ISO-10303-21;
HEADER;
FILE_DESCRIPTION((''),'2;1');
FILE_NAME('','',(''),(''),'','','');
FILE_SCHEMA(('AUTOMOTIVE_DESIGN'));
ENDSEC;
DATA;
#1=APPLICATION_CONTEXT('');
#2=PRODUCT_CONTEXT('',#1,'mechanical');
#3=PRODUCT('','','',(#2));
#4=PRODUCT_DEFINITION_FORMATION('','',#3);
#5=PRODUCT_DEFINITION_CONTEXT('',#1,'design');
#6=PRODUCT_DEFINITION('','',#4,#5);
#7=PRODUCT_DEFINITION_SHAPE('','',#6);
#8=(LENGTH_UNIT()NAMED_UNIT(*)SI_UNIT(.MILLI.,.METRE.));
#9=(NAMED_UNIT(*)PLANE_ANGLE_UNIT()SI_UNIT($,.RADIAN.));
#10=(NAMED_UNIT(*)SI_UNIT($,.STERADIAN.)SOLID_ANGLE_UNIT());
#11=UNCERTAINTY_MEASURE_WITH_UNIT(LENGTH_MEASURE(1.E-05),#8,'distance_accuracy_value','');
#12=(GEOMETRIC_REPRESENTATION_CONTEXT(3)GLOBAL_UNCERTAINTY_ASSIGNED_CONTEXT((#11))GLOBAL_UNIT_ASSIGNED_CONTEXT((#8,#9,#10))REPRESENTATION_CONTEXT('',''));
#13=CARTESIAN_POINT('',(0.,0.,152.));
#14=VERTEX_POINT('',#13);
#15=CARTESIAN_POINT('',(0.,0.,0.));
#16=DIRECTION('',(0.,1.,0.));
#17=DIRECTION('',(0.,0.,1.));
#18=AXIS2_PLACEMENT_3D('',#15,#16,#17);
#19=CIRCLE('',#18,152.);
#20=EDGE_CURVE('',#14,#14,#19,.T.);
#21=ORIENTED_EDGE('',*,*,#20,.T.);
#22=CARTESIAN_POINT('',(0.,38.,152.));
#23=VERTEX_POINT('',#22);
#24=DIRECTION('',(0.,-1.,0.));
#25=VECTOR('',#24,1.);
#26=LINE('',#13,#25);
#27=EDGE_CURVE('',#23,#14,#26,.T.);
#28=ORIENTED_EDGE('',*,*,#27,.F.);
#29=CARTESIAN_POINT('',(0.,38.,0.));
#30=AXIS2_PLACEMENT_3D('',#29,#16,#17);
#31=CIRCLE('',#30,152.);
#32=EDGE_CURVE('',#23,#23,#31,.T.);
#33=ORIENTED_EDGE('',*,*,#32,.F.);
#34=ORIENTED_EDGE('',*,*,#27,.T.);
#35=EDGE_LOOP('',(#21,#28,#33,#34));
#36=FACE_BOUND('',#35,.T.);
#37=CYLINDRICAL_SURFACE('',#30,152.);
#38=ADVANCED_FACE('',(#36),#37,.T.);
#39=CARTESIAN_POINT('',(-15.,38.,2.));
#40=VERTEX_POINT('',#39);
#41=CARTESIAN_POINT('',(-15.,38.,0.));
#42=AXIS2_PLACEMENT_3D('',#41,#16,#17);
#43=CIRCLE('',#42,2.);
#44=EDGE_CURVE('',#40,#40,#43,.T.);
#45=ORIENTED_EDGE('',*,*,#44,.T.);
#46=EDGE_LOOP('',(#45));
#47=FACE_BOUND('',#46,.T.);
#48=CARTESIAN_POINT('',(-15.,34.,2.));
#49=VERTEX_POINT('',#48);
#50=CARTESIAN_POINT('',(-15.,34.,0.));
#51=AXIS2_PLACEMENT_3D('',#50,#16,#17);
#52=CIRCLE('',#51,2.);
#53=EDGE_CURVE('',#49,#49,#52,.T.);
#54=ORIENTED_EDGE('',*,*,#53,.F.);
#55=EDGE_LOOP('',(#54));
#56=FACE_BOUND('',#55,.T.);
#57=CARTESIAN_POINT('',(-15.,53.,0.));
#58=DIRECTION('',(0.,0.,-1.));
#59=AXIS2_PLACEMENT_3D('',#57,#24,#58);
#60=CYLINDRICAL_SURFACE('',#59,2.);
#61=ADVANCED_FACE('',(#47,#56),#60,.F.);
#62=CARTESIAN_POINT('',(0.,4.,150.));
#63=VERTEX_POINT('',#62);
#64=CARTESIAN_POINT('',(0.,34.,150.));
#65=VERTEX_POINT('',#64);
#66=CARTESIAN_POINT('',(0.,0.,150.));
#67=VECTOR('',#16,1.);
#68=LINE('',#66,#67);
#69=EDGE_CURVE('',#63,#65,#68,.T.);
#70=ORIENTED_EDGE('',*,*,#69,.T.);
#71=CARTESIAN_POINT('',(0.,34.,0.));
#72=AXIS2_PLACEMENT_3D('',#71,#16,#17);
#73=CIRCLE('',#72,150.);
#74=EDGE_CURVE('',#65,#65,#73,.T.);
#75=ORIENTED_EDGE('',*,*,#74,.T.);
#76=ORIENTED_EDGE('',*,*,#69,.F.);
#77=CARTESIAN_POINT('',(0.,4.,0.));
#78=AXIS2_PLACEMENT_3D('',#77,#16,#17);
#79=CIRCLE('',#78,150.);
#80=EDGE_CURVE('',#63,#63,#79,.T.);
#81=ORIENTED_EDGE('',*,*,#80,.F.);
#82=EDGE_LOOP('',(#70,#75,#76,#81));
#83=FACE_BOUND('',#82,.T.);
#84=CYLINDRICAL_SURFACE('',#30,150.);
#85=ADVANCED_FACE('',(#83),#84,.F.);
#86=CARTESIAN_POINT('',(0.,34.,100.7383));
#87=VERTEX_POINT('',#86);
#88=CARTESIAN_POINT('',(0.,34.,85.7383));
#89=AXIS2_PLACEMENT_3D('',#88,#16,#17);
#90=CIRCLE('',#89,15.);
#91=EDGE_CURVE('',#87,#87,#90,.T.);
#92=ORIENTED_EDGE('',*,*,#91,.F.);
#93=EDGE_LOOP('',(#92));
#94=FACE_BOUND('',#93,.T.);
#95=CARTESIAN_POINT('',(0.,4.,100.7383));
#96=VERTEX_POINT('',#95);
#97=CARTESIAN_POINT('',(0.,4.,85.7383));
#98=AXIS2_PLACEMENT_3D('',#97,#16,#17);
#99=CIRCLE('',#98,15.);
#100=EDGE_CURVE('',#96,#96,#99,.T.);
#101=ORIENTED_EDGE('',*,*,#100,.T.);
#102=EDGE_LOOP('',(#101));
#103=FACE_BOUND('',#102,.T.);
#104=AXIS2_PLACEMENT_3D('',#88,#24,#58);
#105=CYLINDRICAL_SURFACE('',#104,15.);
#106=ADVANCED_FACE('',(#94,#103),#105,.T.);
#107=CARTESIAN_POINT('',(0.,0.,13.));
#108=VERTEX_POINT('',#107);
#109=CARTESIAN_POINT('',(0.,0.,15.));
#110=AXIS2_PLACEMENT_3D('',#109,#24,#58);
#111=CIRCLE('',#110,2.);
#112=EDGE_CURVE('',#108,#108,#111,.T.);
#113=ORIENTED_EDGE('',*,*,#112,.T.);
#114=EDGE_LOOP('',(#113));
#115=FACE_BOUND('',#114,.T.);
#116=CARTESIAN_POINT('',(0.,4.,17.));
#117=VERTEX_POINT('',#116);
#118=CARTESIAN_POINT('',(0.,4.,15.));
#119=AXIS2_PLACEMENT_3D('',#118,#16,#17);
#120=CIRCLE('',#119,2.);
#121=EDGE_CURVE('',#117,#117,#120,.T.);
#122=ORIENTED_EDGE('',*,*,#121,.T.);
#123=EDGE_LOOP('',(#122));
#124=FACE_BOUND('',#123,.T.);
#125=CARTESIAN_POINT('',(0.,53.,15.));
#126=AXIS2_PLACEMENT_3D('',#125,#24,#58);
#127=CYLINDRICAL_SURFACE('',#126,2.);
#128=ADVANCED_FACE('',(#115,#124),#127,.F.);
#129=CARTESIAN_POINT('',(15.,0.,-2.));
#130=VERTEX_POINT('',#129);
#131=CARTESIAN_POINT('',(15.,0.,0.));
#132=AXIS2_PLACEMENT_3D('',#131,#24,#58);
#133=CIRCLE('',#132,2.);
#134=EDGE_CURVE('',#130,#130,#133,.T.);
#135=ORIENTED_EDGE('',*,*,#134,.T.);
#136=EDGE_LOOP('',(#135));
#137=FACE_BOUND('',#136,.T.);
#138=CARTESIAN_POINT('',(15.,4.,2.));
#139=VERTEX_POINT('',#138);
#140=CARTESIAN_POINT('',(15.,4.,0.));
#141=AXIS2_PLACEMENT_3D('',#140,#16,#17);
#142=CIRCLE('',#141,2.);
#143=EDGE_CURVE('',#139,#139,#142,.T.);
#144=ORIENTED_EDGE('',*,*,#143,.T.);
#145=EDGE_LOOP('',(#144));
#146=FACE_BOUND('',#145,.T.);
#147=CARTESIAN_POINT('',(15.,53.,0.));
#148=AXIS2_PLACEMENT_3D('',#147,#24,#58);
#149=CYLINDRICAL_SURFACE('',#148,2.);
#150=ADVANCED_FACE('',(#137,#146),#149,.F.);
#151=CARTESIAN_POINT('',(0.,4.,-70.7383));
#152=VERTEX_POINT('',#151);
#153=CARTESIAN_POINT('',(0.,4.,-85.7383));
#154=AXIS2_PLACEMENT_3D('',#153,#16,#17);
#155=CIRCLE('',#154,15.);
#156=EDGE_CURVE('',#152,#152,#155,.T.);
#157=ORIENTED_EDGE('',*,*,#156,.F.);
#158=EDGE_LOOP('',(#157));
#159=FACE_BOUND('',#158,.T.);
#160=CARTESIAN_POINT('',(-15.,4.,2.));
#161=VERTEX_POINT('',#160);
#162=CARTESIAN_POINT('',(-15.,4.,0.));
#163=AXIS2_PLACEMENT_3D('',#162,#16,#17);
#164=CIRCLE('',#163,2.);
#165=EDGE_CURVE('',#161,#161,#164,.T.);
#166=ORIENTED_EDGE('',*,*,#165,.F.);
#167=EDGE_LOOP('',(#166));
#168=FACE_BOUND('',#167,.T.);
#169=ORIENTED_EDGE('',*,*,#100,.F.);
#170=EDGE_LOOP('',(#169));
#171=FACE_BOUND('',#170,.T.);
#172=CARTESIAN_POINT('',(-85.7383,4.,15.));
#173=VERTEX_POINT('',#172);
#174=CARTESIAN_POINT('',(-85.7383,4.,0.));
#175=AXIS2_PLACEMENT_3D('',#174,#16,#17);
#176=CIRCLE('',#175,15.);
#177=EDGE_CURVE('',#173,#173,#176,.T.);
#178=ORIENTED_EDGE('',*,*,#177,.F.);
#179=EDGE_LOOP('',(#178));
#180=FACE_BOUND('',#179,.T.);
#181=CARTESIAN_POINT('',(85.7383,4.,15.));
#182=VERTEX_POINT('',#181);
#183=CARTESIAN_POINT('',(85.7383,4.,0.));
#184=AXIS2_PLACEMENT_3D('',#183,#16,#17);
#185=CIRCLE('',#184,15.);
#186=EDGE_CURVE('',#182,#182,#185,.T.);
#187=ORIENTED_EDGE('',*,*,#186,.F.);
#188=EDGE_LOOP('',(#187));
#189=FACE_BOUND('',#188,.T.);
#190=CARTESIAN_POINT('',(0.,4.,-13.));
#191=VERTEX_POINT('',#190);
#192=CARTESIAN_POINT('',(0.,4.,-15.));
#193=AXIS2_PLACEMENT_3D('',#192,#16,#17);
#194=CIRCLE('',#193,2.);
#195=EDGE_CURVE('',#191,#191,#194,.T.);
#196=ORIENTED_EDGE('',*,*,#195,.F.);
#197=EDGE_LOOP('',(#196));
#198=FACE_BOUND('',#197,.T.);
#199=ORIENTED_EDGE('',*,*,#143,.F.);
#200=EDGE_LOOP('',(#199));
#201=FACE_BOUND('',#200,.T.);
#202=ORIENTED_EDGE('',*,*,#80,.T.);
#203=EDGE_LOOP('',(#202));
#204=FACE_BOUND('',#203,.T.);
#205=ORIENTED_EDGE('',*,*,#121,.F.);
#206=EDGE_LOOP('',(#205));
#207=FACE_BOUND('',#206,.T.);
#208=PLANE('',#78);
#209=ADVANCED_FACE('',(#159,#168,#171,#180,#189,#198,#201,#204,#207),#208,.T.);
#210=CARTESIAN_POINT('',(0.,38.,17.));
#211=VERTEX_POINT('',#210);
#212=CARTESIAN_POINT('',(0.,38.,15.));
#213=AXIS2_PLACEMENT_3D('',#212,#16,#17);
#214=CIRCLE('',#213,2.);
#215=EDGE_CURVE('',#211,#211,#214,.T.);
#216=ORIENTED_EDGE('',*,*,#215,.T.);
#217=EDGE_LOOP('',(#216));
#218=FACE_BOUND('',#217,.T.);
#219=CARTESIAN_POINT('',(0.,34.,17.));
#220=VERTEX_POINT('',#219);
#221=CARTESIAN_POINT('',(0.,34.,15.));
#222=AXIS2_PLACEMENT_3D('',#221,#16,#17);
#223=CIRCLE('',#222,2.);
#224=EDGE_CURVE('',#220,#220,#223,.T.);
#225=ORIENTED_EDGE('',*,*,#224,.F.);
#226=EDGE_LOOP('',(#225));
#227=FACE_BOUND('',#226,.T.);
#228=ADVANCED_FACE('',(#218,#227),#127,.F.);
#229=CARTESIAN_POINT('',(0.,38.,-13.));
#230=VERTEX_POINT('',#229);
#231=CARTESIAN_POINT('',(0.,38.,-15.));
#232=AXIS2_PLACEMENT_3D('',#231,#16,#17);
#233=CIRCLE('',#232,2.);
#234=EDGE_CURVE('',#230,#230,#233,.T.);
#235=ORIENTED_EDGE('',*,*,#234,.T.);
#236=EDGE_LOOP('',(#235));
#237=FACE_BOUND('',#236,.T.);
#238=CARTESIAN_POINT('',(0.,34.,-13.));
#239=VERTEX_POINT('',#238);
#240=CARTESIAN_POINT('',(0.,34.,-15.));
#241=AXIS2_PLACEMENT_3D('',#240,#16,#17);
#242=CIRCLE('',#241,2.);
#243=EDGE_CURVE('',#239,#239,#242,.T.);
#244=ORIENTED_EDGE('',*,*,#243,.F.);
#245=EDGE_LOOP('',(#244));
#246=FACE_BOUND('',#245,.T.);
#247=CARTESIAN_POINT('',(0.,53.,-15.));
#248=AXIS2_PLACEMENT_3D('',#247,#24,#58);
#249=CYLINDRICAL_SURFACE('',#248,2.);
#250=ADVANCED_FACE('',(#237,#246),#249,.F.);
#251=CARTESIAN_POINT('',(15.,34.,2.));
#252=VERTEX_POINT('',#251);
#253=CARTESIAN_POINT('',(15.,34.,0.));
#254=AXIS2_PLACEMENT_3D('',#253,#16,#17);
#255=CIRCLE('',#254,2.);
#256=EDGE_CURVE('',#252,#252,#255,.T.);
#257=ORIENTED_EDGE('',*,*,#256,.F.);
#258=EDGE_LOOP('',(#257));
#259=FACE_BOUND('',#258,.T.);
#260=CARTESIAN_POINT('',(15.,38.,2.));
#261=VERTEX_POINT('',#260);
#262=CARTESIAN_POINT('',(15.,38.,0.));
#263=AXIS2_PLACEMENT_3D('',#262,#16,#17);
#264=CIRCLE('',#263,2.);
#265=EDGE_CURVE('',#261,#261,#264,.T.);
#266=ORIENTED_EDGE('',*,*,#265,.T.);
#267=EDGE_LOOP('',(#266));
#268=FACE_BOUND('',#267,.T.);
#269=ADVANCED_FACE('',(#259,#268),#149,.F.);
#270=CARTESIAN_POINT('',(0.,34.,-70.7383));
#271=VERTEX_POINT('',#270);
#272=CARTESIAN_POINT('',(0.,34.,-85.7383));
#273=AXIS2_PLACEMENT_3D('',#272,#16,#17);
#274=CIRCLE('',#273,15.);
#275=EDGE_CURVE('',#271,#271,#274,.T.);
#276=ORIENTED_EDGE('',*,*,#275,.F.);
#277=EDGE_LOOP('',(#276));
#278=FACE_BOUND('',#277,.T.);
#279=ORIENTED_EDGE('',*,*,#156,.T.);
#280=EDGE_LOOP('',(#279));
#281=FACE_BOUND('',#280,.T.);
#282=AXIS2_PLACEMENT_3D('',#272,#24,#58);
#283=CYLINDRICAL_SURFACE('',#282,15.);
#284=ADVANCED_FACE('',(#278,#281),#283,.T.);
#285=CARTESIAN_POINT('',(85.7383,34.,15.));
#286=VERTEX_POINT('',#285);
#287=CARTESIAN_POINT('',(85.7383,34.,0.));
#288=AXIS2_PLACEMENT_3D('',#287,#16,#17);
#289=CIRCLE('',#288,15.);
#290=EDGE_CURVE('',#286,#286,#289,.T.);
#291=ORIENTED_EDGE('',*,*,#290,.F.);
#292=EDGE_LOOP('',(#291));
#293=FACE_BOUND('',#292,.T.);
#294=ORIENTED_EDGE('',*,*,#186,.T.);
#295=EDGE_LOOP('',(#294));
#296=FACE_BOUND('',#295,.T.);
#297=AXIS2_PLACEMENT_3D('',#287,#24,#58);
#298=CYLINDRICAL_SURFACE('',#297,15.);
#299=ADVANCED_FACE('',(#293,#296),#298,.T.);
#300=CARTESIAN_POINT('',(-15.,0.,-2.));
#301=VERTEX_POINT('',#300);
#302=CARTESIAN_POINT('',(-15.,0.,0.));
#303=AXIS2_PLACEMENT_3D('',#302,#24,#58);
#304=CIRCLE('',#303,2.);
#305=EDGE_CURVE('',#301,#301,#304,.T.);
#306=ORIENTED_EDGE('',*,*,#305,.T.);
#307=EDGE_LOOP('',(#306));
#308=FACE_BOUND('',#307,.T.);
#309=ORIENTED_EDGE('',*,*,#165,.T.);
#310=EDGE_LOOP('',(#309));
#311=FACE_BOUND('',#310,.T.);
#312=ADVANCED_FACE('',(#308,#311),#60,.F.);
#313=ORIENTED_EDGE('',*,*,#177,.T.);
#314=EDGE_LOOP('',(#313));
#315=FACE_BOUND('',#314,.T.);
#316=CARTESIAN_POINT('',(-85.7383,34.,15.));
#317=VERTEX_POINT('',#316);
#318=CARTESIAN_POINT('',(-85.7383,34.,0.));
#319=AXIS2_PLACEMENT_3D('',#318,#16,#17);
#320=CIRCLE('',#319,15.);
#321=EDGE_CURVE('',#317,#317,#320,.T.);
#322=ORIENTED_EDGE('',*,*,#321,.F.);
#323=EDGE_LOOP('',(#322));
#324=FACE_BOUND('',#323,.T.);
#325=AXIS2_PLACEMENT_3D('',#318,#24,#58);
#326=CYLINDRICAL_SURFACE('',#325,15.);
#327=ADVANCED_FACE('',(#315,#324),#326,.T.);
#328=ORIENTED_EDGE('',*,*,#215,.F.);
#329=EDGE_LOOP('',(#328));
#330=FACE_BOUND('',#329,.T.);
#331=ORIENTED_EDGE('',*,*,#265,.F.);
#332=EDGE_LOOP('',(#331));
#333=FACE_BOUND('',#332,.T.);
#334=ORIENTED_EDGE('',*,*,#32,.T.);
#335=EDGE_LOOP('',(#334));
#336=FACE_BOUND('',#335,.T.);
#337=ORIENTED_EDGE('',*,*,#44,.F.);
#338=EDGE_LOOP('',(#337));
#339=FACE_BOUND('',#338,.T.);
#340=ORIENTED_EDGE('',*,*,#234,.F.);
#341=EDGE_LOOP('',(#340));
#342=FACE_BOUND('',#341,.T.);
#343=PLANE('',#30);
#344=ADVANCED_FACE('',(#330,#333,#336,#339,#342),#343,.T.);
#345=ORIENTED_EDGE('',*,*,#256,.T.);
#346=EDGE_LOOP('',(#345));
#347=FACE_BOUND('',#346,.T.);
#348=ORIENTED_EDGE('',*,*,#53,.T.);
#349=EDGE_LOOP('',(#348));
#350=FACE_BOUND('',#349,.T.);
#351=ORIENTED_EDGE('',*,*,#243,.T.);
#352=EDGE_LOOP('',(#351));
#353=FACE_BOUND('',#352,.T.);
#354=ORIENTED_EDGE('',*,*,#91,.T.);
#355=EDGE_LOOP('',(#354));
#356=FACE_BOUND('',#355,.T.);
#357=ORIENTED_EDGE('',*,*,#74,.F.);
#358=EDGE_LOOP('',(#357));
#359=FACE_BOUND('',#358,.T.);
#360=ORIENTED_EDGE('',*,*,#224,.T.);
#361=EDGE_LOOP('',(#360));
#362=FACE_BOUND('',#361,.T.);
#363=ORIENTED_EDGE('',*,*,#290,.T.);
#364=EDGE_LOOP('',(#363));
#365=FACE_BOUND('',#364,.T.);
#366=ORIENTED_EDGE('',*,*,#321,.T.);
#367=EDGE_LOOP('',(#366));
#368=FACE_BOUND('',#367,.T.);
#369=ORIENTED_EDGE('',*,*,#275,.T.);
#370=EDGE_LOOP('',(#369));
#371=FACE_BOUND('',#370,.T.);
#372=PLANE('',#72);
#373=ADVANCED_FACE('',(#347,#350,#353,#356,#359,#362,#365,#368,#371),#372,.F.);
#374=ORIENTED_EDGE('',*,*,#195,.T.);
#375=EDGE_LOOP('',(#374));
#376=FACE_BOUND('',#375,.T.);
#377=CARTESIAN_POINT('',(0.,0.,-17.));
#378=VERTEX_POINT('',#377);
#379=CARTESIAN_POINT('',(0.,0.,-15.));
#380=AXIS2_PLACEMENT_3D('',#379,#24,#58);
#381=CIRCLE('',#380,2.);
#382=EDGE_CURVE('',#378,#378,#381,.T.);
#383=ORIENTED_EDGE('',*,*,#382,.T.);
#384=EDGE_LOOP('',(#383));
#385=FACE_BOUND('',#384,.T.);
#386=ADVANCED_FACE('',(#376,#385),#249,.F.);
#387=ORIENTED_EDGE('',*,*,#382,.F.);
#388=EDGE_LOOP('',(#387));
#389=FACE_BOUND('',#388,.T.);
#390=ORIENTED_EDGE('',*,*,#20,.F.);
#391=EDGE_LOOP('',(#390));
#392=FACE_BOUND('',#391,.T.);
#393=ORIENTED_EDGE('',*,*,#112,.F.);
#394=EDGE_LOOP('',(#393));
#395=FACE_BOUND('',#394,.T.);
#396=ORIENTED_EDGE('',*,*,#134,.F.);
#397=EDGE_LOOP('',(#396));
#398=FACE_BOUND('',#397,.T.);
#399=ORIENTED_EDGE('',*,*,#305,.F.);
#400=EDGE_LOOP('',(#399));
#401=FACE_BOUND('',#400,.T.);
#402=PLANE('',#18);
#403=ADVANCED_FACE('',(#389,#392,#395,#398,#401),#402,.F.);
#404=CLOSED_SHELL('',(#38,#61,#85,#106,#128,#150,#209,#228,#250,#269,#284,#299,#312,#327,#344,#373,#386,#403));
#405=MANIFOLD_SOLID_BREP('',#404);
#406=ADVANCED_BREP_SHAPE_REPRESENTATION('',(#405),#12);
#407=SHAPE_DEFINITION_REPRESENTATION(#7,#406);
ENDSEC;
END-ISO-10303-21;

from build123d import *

# Parameters (mm, degrees)
SKETCH1_R           = 150
BOSS_EXTRUDE1_DEPTH = 4
SKETCH2_R           = 15
BOSS_EXTRUDE2_DEPTH = 30
SKETCH3_R           = 150
BOSS_EXTRUDE3_DEPTH = 4
SKETCH5_R           = 2
CUT_EXTRUDE1_DEPTH  = 53
SKETCH6_W           = 2
SKETCH6_H           = 38


with BuildPart() as part:
    # Sketch1 → Boss-Extrude1 (new body)
    with BuildSketch(Plane(origin=(0, 0, 0), x_dir=(1, 0, 0), z_dir=(0, 1, 0))):
        with Locations(Location((0, 0, 0), (0, 0, 270))):
            Circle(SKETCH1_R)
    extrude(amount=BOSS_EXTRUDE1_DEPTH)

    # Sketch2 → Boss-Extrude2 (add)
    with BuildSketch(Plane(origin=(0, 4, 0), x_dir=(1, 0, 0), z_dir=(0, 1, 0))):
        with Locations(Location((0, 85.738299576, 0), (0, 0, 270))):
            Circle(SKETCH2_R)
        with Locations(Location((85.738299576, 0, 0), (0, 0, 270))):
            Circle(SKETCH2_R)
        with Locations(Location((0, -85.738299576, 0), (0, 0, 270))):
            Circle(SKETCH2_R)
        with Locations(Location((-85.738299576, 0, 0), (0, 0, 270))):
            Circle(SKETCH2_R)
    extrude(amount=BOSS_EXTRUDE2_DEPTH)

    # Sketch3 → Boss-Extrude3 (add)
    with BuildSketch(Plane(origin=(0, 34, 0), x_dir=(1, 0, 0), z_dir=(0, 1, 0))):
        with Locations(Location((0, 0, 0), (0, 0, 270))):
            Circle(SKETCH3_R)
    extrude(amount=BOSS_EXTRUDE3_DEPTH)

    # Sketch5 → Cut-Extrude1 (cut)
    with BuildSketch(Plane.XZ):
        with Locations(Location((0, 15, 0), (0, 0, 90))):
            Circle(SKETCH5_R)
        with Locations(Location((15, 0, 0), (0, 0, 90))):
            Circle(SKETCH5_R)
        with Locations(Location((0, -15, 0), (0, 0, 90))):
            Circle(SKETCH5_R)
        with Locations(Location((-15, 0, 0), (0, 0, 90))):
            Circle(SKETCH5_R)
    extrude(amount=-CUT_EXTRUDE1_DEPTH, mode=Mode.SUBTRACT)

    # Sweep2: sweep along a curve in space
    with BuildLine() as sweep2_path:
        ThreePointArc((0, 38, 150), (106.066017178, 38, 106.066017178), (150, 38, 0))
        ThreePointArc((150, 38, 0), (106.066017178, 38, -106.066017178), (0, 38, -150))
        ThreePointArc((0, 38, -150), (-106.066017178, 38, -106.066017178), (-150, 38, 0))
        ThreePointArc((-150, 38, 0), (-106.066017178, 38, 106.066017178), (0, 38, 150))
    # Sketch6 → Sweep2 (sweep)
    with BuildSketch(Plane(origin=(0, 0, 0), x_dir=(0, 0, -1), z_dir=(1, 0, 0))):
        with Locations((-151, 19)):
            Rectangle(SKETCH6_W, SKETCH6_H)
    sweep(path=sweep2_path.line)


solid = part.part
